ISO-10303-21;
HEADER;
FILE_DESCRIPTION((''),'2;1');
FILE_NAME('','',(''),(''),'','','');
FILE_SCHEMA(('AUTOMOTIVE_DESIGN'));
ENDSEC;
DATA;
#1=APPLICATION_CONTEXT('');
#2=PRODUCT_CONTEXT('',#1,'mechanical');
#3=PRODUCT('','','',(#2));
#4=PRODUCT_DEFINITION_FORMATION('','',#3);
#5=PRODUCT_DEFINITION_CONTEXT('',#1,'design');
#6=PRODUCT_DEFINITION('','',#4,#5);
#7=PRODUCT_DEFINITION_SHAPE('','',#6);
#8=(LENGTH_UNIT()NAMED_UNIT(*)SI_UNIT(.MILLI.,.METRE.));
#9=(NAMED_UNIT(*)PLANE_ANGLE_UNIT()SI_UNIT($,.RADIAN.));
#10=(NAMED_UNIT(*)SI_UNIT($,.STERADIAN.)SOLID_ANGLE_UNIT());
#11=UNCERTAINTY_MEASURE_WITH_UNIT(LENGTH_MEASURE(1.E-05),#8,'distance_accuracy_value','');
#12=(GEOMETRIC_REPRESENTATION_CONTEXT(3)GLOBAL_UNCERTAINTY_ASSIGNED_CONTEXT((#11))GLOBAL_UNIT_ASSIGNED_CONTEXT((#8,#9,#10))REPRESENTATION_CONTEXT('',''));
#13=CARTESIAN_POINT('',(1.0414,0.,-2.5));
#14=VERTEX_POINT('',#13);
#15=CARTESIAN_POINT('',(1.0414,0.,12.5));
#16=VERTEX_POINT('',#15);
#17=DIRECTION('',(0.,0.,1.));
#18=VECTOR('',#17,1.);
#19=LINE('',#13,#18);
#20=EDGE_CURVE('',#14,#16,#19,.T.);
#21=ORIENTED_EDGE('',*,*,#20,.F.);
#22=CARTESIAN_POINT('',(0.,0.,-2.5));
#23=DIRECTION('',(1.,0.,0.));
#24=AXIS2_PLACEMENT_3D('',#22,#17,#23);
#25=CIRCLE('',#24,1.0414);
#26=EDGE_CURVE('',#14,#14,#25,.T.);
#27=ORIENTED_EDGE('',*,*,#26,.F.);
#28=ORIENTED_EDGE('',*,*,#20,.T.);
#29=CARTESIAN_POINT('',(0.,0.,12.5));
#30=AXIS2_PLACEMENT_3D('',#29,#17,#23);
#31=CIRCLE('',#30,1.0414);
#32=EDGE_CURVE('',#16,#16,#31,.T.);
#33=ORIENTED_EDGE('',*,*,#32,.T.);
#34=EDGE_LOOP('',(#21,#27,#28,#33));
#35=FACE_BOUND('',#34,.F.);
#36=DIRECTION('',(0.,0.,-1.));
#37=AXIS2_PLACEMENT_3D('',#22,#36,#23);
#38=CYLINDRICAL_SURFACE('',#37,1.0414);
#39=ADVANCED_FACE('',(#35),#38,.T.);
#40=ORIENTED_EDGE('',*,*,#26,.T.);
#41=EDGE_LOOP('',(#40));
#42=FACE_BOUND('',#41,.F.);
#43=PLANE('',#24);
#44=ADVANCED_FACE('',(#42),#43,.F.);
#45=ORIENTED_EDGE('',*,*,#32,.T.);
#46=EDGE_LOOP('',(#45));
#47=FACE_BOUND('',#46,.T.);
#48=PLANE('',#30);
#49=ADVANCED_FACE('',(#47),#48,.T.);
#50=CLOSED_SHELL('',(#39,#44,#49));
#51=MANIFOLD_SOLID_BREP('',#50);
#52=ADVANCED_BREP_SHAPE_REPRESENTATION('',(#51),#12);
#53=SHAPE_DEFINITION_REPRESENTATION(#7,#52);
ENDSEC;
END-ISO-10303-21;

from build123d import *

# Parameters (mm, degrees)
CYLINDER_R     = 1.0414
CYLINDER_DEPTH = 15


with BuildPart() as part:
    # Cylinder → Cylinder (new body)
    with BuildSketch(Plane.XY.offset(-2.5)):
        Circle(CYLINDER_R)
    extrude(amount=CYLINDER_DEPTH)


solid = part.part
